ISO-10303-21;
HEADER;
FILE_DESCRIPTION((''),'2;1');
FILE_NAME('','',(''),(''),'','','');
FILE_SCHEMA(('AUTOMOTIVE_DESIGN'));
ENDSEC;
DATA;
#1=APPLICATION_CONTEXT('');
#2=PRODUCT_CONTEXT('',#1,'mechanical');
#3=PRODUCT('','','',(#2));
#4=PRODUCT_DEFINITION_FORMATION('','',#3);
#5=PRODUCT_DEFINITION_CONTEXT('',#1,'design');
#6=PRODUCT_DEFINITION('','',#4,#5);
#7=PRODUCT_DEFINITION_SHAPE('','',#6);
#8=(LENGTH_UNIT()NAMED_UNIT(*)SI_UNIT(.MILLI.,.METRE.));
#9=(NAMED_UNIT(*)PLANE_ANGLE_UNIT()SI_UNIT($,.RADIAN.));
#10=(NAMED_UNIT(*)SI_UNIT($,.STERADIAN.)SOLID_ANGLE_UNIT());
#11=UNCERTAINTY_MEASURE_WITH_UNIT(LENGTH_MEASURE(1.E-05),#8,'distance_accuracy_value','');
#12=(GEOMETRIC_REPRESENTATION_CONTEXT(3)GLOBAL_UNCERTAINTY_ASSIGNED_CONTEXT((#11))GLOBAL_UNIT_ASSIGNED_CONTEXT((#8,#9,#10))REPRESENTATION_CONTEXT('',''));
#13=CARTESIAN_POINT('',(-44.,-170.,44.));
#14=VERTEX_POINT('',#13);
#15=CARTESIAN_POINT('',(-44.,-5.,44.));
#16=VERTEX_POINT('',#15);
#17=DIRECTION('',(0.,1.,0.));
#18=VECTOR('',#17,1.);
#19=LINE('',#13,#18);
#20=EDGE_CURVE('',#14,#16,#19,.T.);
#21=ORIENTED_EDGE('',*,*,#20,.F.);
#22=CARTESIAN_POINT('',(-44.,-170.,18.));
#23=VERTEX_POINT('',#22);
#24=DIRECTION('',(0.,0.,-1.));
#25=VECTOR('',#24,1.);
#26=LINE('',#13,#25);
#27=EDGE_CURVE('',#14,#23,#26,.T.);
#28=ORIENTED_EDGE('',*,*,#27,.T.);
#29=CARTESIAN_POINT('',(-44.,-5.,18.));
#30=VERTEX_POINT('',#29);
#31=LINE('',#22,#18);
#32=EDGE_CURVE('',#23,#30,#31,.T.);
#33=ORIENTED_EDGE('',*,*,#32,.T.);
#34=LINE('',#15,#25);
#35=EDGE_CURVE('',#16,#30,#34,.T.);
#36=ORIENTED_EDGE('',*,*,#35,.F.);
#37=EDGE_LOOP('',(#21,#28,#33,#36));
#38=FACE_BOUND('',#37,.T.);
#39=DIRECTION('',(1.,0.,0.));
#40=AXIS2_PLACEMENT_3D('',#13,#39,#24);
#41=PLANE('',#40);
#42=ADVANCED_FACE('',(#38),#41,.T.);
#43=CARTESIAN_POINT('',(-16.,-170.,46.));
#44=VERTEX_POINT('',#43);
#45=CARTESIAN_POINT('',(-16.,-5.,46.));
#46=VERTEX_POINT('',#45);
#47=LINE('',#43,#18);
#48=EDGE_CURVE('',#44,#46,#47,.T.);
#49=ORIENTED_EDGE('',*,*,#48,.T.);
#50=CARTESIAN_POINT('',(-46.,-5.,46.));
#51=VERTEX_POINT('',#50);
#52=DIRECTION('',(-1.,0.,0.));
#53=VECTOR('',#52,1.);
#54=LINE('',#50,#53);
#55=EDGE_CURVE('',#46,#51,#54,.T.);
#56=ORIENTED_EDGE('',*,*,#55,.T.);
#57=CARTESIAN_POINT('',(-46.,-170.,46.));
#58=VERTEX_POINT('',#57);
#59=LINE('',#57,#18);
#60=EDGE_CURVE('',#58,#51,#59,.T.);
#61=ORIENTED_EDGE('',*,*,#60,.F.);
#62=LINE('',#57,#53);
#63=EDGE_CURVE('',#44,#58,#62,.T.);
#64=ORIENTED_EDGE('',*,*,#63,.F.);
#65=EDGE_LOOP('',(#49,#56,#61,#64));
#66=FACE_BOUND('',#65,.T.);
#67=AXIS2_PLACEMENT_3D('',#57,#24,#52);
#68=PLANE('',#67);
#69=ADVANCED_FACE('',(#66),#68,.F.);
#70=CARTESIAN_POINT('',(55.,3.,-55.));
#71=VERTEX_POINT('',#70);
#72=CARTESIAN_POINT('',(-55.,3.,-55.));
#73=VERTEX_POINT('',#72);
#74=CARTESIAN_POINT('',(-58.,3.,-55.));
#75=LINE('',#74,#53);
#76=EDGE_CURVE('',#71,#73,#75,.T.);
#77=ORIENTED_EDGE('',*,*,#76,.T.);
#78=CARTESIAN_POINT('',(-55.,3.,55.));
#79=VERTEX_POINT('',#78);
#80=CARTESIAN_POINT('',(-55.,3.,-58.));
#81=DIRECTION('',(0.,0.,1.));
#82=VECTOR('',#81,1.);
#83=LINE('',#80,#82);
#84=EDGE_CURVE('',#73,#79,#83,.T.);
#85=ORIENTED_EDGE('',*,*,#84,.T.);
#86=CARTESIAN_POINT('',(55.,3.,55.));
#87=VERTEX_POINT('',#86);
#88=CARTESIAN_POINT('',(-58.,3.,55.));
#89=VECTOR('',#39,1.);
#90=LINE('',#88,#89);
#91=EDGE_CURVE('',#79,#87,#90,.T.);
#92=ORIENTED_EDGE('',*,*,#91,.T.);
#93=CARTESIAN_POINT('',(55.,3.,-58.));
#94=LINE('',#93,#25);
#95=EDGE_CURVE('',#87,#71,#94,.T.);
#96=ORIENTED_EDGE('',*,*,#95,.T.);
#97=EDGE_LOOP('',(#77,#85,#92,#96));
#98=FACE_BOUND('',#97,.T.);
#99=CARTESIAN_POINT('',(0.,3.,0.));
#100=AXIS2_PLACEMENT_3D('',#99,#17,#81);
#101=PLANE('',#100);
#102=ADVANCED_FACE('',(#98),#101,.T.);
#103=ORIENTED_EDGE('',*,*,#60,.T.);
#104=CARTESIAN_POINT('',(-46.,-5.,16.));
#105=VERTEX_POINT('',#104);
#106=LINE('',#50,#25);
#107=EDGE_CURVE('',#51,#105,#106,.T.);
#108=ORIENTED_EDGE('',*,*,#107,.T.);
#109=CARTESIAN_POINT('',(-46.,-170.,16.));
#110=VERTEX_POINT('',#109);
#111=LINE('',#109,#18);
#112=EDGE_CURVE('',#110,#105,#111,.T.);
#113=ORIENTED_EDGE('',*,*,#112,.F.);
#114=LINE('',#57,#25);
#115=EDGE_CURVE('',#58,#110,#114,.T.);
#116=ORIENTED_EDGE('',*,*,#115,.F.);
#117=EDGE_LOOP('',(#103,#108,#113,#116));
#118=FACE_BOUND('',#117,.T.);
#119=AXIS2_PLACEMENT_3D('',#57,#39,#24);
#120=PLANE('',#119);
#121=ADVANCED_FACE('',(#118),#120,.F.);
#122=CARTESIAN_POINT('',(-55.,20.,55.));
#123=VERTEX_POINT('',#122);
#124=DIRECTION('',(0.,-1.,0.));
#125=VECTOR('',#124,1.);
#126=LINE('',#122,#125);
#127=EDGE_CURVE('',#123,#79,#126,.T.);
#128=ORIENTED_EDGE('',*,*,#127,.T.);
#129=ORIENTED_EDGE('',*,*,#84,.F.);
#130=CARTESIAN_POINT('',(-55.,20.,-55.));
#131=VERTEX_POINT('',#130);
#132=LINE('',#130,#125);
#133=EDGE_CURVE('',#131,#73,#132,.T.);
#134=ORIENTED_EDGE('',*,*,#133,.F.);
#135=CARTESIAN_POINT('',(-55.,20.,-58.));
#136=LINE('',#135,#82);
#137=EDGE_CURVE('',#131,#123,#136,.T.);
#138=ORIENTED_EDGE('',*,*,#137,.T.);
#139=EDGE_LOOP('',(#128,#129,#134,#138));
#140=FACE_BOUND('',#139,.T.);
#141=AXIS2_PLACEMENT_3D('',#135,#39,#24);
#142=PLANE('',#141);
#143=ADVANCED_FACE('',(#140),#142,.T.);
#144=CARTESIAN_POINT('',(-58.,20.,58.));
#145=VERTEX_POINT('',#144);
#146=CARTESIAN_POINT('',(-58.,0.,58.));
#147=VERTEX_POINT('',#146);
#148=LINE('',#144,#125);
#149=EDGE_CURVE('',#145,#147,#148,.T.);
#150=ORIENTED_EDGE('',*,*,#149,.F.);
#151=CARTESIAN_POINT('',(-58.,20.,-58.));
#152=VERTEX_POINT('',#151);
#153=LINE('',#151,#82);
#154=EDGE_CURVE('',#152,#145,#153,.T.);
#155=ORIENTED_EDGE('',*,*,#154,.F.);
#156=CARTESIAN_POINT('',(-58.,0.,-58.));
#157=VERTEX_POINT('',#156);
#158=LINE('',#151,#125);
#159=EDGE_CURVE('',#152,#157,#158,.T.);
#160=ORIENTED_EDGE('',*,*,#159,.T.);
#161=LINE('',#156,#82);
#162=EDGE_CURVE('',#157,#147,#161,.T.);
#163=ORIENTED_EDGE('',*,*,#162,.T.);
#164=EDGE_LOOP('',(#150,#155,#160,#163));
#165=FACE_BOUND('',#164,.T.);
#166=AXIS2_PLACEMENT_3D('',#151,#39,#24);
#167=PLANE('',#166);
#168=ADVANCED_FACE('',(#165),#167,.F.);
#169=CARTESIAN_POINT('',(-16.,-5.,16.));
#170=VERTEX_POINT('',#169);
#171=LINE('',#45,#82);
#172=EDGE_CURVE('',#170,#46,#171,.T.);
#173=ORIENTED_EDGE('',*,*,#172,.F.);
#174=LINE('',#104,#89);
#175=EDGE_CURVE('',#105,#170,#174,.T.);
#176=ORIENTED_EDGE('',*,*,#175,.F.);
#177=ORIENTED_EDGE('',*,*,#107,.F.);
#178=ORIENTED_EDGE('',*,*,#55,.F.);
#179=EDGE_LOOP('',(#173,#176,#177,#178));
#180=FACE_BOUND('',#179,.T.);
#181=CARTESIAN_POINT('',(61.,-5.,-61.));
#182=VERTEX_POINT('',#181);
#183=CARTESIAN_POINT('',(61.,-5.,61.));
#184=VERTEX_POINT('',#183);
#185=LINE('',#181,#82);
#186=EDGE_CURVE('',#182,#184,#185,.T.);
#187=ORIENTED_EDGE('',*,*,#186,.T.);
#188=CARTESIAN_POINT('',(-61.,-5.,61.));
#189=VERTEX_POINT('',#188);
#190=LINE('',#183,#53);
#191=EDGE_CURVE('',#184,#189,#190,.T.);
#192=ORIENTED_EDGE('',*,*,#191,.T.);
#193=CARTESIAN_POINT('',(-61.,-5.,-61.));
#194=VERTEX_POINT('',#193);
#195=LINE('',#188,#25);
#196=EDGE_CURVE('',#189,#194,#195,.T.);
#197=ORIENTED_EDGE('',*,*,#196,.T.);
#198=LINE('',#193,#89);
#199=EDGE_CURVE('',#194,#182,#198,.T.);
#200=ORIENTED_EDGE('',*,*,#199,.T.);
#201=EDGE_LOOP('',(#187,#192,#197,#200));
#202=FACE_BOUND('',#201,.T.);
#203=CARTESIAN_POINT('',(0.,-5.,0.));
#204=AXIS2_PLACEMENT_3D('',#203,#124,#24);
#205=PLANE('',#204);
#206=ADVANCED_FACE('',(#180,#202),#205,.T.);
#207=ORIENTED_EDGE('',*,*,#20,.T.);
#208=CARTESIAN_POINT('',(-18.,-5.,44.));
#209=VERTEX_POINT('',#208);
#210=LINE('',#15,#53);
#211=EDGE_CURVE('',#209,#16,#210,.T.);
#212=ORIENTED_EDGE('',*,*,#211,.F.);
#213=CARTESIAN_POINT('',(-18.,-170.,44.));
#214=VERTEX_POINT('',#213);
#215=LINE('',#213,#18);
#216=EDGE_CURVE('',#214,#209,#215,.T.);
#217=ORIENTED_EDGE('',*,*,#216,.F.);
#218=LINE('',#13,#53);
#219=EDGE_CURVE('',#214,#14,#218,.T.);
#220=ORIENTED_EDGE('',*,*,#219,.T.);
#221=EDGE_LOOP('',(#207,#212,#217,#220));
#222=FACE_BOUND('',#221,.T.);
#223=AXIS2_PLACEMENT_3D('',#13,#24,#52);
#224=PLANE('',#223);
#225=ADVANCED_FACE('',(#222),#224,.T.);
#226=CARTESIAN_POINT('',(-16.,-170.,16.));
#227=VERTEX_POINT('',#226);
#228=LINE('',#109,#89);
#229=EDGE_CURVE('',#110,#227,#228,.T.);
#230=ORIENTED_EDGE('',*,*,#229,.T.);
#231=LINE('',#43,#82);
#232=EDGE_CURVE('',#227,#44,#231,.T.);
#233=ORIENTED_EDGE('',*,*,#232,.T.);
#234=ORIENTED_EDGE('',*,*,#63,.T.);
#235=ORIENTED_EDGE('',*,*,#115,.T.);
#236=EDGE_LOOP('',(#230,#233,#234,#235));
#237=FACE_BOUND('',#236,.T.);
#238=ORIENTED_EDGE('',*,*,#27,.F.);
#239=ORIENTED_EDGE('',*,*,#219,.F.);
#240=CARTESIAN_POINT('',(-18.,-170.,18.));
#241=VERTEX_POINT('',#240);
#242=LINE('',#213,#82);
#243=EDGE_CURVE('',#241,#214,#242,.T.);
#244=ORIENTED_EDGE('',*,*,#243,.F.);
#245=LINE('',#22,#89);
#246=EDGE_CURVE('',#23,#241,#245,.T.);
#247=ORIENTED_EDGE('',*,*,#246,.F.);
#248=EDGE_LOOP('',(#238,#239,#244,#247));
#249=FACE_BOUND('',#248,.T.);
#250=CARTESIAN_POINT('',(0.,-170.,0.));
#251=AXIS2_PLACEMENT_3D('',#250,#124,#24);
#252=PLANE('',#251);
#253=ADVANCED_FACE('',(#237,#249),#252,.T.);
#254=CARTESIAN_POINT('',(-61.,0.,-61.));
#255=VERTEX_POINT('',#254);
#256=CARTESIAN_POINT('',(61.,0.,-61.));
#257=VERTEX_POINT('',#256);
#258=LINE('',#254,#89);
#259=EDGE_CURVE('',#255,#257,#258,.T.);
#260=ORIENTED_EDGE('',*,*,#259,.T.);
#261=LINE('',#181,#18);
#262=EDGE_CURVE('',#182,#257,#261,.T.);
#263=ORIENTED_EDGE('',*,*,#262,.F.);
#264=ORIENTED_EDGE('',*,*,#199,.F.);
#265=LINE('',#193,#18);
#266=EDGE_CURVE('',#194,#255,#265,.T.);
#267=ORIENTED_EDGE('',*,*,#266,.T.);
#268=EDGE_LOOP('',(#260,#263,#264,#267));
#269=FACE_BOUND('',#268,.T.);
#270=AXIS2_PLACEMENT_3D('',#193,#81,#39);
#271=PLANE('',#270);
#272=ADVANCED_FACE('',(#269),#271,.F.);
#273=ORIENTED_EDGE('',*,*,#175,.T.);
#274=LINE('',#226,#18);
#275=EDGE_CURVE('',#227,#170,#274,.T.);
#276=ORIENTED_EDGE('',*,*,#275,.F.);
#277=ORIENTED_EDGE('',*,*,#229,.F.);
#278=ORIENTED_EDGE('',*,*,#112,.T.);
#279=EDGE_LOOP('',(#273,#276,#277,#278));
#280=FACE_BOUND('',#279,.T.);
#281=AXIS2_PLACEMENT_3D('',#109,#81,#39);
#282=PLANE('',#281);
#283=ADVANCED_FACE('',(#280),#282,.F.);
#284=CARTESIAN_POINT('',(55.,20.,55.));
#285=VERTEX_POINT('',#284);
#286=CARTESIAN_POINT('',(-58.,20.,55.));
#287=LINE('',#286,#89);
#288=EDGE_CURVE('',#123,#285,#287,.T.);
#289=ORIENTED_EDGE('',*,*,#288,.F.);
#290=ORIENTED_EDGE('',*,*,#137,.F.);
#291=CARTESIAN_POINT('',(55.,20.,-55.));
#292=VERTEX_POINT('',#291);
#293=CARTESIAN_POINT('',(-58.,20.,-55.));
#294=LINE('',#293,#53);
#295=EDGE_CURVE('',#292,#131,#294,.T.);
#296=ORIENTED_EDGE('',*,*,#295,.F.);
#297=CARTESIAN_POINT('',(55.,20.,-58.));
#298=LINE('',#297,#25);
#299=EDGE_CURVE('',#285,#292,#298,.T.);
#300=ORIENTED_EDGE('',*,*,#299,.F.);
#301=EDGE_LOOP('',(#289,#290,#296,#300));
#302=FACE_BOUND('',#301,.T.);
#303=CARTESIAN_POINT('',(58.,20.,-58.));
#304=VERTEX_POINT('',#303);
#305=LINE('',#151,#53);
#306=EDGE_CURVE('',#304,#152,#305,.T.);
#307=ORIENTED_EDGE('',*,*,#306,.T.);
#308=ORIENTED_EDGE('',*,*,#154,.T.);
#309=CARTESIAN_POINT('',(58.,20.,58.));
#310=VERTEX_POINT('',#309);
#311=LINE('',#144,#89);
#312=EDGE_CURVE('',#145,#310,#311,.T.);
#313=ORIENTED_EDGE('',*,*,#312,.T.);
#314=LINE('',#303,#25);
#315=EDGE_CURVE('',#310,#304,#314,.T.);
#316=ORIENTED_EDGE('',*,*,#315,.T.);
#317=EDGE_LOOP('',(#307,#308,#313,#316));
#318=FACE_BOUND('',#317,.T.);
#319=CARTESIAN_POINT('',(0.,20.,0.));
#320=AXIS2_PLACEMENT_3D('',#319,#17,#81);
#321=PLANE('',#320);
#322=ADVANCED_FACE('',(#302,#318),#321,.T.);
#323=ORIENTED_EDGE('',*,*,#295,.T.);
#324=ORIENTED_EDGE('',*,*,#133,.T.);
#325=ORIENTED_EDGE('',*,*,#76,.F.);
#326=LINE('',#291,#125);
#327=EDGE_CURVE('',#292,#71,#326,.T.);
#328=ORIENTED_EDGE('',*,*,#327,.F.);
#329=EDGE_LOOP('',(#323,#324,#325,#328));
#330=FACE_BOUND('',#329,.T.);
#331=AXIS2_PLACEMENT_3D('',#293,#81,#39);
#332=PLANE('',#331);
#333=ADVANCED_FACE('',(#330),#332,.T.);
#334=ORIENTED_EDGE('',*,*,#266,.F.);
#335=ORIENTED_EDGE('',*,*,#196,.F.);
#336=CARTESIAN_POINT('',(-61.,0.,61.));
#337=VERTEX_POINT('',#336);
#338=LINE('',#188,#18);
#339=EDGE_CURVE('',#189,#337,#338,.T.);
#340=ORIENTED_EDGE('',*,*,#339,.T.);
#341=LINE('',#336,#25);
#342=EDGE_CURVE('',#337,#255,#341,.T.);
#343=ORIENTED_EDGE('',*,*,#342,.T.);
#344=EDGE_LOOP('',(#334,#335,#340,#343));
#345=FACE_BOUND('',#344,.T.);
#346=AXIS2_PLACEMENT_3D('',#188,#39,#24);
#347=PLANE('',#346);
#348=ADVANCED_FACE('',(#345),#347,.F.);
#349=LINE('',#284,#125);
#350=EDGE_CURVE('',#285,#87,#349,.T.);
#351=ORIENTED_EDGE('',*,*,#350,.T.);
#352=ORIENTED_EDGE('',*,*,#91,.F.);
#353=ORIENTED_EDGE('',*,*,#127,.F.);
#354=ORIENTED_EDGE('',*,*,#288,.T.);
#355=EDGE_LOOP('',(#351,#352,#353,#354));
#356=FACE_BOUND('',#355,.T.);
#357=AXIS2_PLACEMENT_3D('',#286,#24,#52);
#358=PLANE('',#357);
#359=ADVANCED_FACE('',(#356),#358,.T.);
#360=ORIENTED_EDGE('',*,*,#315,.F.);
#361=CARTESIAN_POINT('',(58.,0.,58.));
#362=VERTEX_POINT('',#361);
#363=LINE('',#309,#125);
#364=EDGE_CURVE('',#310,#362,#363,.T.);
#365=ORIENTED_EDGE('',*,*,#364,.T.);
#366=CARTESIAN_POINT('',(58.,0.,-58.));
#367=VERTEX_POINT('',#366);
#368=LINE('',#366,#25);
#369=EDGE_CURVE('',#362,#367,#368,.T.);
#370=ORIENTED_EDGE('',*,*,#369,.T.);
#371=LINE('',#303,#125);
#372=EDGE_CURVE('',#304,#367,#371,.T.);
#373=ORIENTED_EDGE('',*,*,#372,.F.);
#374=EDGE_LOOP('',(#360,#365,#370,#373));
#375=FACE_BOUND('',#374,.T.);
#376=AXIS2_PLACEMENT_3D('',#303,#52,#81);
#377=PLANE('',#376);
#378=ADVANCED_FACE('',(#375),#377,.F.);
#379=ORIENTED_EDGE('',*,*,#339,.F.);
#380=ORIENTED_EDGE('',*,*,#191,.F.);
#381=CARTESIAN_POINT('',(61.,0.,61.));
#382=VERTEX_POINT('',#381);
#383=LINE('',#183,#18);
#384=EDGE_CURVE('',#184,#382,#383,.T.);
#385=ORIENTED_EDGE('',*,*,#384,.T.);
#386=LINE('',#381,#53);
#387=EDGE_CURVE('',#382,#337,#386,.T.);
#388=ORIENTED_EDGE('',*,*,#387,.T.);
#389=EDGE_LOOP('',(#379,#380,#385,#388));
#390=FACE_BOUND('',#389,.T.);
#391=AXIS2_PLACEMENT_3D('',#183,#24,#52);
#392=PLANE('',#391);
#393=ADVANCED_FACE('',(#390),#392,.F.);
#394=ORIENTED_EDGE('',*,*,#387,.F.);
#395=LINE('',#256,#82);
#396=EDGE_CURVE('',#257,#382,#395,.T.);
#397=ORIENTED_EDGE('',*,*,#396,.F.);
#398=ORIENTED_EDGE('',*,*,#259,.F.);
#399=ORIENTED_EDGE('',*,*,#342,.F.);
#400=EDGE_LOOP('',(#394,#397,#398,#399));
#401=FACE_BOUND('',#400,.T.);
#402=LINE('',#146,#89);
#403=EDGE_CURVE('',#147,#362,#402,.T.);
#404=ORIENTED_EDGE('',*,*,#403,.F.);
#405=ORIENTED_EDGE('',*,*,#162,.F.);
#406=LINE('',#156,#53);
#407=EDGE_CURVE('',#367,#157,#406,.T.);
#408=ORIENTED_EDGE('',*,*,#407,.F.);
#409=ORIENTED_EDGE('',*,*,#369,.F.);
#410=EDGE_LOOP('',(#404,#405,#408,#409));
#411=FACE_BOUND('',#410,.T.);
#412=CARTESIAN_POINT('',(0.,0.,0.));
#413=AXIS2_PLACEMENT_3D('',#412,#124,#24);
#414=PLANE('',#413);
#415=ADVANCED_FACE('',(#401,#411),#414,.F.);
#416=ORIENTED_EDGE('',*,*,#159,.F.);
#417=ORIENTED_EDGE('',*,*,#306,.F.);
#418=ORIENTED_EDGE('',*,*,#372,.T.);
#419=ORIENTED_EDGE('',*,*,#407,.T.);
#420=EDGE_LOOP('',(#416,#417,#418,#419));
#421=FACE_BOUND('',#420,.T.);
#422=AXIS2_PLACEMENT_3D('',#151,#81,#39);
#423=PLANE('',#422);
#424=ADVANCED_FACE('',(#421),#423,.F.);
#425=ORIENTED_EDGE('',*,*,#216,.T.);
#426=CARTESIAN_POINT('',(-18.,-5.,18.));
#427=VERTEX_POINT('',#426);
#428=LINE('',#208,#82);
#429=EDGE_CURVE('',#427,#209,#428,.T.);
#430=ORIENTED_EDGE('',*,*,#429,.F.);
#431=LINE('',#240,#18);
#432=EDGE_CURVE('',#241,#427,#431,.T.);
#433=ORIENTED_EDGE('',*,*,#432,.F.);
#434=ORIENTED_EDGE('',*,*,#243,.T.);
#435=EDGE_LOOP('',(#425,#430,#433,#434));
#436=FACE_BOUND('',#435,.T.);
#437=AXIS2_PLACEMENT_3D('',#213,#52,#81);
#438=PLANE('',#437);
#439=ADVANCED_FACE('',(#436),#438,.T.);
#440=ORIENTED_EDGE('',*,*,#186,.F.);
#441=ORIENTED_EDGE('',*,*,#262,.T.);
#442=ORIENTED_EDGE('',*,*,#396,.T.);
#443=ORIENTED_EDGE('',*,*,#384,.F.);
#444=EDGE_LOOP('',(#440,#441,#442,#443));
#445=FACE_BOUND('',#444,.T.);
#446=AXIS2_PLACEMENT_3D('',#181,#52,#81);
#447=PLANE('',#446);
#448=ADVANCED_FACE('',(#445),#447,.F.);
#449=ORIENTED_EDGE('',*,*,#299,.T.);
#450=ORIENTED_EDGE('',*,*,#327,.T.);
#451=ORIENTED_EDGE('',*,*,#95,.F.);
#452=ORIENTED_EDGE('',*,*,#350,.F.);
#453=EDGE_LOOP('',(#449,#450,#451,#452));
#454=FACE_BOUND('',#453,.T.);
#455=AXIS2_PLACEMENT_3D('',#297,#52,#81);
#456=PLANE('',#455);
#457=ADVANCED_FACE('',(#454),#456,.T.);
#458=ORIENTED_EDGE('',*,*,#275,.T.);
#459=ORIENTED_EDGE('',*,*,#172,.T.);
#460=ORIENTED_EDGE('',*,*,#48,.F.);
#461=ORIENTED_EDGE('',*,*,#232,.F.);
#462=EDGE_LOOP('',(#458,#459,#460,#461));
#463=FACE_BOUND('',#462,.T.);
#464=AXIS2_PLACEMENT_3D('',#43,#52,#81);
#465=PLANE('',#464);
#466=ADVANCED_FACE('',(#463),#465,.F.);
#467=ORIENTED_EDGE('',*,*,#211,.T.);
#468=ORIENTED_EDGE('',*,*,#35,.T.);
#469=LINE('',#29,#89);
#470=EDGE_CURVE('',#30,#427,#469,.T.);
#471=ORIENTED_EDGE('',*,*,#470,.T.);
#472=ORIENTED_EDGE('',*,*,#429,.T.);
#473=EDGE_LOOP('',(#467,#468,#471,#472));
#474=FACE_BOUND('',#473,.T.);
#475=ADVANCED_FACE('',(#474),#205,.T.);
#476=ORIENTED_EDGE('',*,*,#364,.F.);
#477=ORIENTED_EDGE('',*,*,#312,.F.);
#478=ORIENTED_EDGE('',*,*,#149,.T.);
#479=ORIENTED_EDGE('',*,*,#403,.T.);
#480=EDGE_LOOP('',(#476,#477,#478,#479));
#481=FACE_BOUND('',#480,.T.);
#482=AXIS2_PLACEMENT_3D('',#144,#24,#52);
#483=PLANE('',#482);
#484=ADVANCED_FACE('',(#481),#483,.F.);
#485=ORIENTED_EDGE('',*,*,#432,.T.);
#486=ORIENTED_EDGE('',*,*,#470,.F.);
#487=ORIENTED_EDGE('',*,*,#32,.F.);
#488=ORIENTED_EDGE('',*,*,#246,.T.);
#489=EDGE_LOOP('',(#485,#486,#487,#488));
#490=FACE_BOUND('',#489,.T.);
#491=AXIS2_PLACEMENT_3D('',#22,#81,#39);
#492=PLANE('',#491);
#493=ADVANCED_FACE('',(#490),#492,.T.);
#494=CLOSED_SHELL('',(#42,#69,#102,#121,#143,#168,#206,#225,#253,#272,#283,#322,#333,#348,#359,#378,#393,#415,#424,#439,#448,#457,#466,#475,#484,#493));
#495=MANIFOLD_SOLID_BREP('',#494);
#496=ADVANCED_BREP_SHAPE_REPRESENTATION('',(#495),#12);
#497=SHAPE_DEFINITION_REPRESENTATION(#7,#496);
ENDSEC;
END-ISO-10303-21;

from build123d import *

# Parameters (mm, degrees)
SKETCH_1_W      = 116
SKETCH_1_H      = 116
EXTRUDE_1_DEPTH = 20
SHELL_1_T       = -3
SKETCH_2_W      = 122
SKETCH_2_H      = 122
EXTRUDE_2_DEPTH = 5
SKETCH_4_W      = 30
SKETCH_4_H      = 30
SKETCH_4_W_2    = 26
SKETCH_4_H_2    = 26
EXTRUDE_3_DEPTH = 165


with BuildPart() as part:
    # 草图1 → 凸台-拉伸1 (new body)
    with BuildSketch(Plane(origin=(0, 0, 0), x_dir=(1, 0, 0), z_dir=(0, 1, 0))):
        Rectangle(SKETCH_1_W, SKETCH_1_H)
    extrude(amount=EXTRUDE_1_DEPTH)

    # 抽壳1
    shell_1_openings = [part.faces().sort_by_distance(p)[0] for p in [
        (0, 20, 0),
    ]]
    offset(amount=SHELL_1_T, openings=shell_1_openings, kind=Kind.INTERSECTION)

    # 草图2 → 凸台-拉伸2 (add)
    with BuildSketch(Plane.XZ):
        Rectangle(SKETCH_2_W, SKETCH_2_H)
    extrude(amount=EXTRUDE_2_DEPTH)

    # 草图4 → 凸台-拉伸3 (add)
    with BuildSketch(Plane.XZ.offset(5)):
        with Locations((-31, 31)):
            Rectangle(SKETCH_4_W, SKETCH_4_H)
        with Locations((-31, 31)):
            Rectangle(SKETCH_4_W_2, SKETCH_4_H_2, mode=Mode.SUBTRACT)
    extrude(amount=EXTRUDE_3_DEPTH)


solid = part.part
